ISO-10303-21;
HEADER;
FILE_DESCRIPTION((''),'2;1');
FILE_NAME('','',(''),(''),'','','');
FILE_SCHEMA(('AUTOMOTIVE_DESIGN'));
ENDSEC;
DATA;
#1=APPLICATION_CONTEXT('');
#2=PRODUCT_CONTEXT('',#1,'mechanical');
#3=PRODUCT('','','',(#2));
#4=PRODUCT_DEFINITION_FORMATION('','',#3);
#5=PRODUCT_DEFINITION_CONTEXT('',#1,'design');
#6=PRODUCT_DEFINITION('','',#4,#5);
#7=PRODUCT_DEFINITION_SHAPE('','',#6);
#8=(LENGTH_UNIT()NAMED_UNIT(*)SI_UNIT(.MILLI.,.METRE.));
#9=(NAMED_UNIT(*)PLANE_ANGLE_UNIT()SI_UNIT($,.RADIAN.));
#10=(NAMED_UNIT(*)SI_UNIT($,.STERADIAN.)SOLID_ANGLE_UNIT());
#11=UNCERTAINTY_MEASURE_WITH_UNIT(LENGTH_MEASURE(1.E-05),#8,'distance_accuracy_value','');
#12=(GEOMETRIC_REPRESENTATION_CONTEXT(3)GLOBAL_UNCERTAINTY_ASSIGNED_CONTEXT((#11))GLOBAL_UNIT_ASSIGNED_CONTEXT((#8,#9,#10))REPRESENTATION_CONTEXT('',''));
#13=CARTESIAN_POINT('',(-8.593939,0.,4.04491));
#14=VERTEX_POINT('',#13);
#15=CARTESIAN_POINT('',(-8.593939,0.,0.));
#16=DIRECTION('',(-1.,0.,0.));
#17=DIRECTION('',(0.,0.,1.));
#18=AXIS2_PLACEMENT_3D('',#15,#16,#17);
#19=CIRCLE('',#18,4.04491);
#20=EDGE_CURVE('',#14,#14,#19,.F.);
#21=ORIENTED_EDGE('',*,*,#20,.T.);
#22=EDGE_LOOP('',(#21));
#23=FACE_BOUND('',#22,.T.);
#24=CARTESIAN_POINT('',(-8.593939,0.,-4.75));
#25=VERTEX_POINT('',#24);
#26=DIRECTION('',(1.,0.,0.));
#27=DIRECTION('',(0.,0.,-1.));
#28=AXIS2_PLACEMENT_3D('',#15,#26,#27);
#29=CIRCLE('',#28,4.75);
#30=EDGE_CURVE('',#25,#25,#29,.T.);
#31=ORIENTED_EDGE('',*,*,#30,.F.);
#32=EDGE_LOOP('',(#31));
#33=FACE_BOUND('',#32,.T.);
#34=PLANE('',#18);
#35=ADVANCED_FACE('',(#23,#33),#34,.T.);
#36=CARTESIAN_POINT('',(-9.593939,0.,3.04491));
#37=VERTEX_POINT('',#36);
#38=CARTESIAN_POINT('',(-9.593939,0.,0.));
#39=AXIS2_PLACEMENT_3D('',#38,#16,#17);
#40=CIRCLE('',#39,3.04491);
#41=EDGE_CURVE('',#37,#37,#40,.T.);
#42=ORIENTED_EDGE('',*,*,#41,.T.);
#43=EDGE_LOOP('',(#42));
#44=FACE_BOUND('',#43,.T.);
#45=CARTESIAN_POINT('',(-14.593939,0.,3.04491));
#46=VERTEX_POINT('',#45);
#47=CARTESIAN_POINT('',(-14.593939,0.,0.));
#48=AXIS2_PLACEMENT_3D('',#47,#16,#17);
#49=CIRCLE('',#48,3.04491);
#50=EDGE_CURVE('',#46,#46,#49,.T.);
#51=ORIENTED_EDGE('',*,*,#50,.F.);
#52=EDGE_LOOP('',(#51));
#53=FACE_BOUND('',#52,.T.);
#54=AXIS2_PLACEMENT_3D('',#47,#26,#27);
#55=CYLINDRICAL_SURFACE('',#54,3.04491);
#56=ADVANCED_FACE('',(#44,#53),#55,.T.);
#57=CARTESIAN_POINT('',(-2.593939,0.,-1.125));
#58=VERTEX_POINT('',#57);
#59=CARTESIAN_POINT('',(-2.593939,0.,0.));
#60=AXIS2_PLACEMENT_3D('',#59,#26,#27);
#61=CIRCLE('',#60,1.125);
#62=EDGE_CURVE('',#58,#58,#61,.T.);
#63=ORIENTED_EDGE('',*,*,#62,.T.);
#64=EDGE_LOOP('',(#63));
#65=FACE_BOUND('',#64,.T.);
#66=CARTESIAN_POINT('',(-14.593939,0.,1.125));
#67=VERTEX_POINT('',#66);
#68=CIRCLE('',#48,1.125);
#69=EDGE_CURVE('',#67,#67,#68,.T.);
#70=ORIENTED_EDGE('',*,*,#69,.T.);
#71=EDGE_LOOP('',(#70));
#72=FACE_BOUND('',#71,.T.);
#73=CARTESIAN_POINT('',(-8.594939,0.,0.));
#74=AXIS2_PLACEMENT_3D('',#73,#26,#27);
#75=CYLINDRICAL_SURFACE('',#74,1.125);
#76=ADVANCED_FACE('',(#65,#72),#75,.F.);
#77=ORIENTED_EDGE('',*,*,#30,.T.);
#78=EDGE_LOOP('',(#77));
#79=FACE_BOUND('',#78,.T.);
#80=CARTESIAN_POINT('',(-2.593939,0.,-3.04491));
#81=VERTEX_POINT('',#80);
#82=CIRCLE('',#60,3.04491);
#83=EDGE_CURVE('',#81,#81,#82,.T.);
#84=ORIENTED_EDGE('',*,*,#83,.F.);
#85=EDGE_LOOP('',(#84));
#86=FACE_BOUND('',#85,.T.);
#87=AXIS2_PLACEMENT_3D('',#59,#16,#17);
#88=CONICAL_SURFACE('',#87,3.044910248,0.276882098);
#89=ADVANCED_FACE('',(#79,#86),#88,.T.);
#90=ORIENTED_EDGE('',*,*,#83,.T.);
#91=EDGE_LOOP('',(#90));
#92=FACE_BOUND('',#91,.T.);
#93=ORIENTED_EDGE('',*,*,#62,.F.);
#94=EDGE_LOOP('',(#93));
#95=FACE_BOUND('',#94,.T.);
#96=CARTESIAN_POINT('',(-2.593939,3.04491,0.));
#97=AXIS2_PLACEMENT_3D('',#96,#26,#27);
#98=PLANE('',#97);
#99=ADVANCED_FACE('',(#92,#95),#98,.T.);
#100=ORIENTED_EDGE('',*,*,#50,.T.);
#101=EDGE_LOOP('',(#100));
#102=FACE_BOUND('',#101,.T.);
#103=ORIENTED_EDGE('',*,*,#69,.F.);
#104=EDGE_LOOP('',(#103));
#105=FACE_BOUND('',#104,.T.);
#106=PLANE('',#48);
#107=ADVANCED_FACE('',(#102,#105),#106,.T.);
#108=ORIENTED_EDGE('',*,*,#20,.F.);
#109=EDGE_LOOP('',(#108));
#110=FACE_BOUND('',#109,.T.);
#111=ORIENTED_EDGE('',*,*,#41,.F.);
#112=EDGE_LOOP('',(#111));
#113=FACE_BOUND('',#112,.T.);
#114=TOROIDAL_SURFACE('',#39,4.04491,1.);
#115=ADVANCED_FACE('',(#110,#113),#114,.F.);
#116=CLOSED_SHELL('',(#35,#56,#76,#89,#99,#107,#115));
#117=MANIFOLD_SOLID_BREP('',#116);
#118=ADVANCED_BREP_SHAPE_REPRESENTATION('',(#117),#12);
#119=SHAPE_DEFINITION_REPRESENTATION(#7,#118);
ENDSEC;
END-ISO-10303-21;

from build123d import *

# Parameters (mm, degrees)
LUMEN_REACH         = 11.007
SKETCH5_R           = 1.125
SKETCH6_R           = 3.044910248
SKETCH6_R_2         = 1.125
MINCHANNEL_DEPTH    = 6
BARBCHANNELFILLET_R = 1


with BuildPart() as part:
    # Sketch4 → Barb (revolve)
    with BuildSketch(Plane.XY, mode=Mode.PRIVATE) as barb_sk:
        Polygon((-8.593939394, 0), (-8.593939394, 4.75), (-2.593939394, 3.044910248), (-2.593939394, 0), align=None)
    revolve(barb_sk.sketch.rotate(Axis((0, 0, 0), (-1, 0, 0)), 90), axis=Axis((0, 0, 0), (-1, 0, 0)))

    # Sketch5 → Lumen (cut, up to next)
    with BuildSketch(Plane(origin=(-2.593939394, 0, 0), x_dir=(0, 0, -1), z_dir=(1, 0, 0)), mode=Mode.PRIVATE) as lumen_sk1:
        Circle(SKETCH5_R)
    lumen_tool1 = extrude(lumen_sk1.sketch, amount=-LUMEN_REACH, mode=Mode.PRIVATE) & part.part
    add(lumen_tool1.solids().sort_by_distance((-2.593939, 0, 0))[0], mode=Mode.SUBTRACT)

    # Sketch6 → MinChannel (add)
    with BuildSketch(Plane.ZY.offset(8.593939394)):
        Circle(SKETCH6_R)
        with Locations(Location((0, 0, 0), (0, 0, 180))):
            Circle(SKETCH6_R_2, mode=Mode.SUBTRACT)
    extrude(amount=MINCHANNEL_DEPTH)

    # BarbChannelFillet
    barbchannelfillet_edges = [part.edges().sort_by_distance(p)[0] for p in [
        (-8.593939394, 0, -3.044910248),
    ]]
    fillet(barbchannelfillet_edges, radius=BARBCHANNELFILLET_R)


solid = part.part
